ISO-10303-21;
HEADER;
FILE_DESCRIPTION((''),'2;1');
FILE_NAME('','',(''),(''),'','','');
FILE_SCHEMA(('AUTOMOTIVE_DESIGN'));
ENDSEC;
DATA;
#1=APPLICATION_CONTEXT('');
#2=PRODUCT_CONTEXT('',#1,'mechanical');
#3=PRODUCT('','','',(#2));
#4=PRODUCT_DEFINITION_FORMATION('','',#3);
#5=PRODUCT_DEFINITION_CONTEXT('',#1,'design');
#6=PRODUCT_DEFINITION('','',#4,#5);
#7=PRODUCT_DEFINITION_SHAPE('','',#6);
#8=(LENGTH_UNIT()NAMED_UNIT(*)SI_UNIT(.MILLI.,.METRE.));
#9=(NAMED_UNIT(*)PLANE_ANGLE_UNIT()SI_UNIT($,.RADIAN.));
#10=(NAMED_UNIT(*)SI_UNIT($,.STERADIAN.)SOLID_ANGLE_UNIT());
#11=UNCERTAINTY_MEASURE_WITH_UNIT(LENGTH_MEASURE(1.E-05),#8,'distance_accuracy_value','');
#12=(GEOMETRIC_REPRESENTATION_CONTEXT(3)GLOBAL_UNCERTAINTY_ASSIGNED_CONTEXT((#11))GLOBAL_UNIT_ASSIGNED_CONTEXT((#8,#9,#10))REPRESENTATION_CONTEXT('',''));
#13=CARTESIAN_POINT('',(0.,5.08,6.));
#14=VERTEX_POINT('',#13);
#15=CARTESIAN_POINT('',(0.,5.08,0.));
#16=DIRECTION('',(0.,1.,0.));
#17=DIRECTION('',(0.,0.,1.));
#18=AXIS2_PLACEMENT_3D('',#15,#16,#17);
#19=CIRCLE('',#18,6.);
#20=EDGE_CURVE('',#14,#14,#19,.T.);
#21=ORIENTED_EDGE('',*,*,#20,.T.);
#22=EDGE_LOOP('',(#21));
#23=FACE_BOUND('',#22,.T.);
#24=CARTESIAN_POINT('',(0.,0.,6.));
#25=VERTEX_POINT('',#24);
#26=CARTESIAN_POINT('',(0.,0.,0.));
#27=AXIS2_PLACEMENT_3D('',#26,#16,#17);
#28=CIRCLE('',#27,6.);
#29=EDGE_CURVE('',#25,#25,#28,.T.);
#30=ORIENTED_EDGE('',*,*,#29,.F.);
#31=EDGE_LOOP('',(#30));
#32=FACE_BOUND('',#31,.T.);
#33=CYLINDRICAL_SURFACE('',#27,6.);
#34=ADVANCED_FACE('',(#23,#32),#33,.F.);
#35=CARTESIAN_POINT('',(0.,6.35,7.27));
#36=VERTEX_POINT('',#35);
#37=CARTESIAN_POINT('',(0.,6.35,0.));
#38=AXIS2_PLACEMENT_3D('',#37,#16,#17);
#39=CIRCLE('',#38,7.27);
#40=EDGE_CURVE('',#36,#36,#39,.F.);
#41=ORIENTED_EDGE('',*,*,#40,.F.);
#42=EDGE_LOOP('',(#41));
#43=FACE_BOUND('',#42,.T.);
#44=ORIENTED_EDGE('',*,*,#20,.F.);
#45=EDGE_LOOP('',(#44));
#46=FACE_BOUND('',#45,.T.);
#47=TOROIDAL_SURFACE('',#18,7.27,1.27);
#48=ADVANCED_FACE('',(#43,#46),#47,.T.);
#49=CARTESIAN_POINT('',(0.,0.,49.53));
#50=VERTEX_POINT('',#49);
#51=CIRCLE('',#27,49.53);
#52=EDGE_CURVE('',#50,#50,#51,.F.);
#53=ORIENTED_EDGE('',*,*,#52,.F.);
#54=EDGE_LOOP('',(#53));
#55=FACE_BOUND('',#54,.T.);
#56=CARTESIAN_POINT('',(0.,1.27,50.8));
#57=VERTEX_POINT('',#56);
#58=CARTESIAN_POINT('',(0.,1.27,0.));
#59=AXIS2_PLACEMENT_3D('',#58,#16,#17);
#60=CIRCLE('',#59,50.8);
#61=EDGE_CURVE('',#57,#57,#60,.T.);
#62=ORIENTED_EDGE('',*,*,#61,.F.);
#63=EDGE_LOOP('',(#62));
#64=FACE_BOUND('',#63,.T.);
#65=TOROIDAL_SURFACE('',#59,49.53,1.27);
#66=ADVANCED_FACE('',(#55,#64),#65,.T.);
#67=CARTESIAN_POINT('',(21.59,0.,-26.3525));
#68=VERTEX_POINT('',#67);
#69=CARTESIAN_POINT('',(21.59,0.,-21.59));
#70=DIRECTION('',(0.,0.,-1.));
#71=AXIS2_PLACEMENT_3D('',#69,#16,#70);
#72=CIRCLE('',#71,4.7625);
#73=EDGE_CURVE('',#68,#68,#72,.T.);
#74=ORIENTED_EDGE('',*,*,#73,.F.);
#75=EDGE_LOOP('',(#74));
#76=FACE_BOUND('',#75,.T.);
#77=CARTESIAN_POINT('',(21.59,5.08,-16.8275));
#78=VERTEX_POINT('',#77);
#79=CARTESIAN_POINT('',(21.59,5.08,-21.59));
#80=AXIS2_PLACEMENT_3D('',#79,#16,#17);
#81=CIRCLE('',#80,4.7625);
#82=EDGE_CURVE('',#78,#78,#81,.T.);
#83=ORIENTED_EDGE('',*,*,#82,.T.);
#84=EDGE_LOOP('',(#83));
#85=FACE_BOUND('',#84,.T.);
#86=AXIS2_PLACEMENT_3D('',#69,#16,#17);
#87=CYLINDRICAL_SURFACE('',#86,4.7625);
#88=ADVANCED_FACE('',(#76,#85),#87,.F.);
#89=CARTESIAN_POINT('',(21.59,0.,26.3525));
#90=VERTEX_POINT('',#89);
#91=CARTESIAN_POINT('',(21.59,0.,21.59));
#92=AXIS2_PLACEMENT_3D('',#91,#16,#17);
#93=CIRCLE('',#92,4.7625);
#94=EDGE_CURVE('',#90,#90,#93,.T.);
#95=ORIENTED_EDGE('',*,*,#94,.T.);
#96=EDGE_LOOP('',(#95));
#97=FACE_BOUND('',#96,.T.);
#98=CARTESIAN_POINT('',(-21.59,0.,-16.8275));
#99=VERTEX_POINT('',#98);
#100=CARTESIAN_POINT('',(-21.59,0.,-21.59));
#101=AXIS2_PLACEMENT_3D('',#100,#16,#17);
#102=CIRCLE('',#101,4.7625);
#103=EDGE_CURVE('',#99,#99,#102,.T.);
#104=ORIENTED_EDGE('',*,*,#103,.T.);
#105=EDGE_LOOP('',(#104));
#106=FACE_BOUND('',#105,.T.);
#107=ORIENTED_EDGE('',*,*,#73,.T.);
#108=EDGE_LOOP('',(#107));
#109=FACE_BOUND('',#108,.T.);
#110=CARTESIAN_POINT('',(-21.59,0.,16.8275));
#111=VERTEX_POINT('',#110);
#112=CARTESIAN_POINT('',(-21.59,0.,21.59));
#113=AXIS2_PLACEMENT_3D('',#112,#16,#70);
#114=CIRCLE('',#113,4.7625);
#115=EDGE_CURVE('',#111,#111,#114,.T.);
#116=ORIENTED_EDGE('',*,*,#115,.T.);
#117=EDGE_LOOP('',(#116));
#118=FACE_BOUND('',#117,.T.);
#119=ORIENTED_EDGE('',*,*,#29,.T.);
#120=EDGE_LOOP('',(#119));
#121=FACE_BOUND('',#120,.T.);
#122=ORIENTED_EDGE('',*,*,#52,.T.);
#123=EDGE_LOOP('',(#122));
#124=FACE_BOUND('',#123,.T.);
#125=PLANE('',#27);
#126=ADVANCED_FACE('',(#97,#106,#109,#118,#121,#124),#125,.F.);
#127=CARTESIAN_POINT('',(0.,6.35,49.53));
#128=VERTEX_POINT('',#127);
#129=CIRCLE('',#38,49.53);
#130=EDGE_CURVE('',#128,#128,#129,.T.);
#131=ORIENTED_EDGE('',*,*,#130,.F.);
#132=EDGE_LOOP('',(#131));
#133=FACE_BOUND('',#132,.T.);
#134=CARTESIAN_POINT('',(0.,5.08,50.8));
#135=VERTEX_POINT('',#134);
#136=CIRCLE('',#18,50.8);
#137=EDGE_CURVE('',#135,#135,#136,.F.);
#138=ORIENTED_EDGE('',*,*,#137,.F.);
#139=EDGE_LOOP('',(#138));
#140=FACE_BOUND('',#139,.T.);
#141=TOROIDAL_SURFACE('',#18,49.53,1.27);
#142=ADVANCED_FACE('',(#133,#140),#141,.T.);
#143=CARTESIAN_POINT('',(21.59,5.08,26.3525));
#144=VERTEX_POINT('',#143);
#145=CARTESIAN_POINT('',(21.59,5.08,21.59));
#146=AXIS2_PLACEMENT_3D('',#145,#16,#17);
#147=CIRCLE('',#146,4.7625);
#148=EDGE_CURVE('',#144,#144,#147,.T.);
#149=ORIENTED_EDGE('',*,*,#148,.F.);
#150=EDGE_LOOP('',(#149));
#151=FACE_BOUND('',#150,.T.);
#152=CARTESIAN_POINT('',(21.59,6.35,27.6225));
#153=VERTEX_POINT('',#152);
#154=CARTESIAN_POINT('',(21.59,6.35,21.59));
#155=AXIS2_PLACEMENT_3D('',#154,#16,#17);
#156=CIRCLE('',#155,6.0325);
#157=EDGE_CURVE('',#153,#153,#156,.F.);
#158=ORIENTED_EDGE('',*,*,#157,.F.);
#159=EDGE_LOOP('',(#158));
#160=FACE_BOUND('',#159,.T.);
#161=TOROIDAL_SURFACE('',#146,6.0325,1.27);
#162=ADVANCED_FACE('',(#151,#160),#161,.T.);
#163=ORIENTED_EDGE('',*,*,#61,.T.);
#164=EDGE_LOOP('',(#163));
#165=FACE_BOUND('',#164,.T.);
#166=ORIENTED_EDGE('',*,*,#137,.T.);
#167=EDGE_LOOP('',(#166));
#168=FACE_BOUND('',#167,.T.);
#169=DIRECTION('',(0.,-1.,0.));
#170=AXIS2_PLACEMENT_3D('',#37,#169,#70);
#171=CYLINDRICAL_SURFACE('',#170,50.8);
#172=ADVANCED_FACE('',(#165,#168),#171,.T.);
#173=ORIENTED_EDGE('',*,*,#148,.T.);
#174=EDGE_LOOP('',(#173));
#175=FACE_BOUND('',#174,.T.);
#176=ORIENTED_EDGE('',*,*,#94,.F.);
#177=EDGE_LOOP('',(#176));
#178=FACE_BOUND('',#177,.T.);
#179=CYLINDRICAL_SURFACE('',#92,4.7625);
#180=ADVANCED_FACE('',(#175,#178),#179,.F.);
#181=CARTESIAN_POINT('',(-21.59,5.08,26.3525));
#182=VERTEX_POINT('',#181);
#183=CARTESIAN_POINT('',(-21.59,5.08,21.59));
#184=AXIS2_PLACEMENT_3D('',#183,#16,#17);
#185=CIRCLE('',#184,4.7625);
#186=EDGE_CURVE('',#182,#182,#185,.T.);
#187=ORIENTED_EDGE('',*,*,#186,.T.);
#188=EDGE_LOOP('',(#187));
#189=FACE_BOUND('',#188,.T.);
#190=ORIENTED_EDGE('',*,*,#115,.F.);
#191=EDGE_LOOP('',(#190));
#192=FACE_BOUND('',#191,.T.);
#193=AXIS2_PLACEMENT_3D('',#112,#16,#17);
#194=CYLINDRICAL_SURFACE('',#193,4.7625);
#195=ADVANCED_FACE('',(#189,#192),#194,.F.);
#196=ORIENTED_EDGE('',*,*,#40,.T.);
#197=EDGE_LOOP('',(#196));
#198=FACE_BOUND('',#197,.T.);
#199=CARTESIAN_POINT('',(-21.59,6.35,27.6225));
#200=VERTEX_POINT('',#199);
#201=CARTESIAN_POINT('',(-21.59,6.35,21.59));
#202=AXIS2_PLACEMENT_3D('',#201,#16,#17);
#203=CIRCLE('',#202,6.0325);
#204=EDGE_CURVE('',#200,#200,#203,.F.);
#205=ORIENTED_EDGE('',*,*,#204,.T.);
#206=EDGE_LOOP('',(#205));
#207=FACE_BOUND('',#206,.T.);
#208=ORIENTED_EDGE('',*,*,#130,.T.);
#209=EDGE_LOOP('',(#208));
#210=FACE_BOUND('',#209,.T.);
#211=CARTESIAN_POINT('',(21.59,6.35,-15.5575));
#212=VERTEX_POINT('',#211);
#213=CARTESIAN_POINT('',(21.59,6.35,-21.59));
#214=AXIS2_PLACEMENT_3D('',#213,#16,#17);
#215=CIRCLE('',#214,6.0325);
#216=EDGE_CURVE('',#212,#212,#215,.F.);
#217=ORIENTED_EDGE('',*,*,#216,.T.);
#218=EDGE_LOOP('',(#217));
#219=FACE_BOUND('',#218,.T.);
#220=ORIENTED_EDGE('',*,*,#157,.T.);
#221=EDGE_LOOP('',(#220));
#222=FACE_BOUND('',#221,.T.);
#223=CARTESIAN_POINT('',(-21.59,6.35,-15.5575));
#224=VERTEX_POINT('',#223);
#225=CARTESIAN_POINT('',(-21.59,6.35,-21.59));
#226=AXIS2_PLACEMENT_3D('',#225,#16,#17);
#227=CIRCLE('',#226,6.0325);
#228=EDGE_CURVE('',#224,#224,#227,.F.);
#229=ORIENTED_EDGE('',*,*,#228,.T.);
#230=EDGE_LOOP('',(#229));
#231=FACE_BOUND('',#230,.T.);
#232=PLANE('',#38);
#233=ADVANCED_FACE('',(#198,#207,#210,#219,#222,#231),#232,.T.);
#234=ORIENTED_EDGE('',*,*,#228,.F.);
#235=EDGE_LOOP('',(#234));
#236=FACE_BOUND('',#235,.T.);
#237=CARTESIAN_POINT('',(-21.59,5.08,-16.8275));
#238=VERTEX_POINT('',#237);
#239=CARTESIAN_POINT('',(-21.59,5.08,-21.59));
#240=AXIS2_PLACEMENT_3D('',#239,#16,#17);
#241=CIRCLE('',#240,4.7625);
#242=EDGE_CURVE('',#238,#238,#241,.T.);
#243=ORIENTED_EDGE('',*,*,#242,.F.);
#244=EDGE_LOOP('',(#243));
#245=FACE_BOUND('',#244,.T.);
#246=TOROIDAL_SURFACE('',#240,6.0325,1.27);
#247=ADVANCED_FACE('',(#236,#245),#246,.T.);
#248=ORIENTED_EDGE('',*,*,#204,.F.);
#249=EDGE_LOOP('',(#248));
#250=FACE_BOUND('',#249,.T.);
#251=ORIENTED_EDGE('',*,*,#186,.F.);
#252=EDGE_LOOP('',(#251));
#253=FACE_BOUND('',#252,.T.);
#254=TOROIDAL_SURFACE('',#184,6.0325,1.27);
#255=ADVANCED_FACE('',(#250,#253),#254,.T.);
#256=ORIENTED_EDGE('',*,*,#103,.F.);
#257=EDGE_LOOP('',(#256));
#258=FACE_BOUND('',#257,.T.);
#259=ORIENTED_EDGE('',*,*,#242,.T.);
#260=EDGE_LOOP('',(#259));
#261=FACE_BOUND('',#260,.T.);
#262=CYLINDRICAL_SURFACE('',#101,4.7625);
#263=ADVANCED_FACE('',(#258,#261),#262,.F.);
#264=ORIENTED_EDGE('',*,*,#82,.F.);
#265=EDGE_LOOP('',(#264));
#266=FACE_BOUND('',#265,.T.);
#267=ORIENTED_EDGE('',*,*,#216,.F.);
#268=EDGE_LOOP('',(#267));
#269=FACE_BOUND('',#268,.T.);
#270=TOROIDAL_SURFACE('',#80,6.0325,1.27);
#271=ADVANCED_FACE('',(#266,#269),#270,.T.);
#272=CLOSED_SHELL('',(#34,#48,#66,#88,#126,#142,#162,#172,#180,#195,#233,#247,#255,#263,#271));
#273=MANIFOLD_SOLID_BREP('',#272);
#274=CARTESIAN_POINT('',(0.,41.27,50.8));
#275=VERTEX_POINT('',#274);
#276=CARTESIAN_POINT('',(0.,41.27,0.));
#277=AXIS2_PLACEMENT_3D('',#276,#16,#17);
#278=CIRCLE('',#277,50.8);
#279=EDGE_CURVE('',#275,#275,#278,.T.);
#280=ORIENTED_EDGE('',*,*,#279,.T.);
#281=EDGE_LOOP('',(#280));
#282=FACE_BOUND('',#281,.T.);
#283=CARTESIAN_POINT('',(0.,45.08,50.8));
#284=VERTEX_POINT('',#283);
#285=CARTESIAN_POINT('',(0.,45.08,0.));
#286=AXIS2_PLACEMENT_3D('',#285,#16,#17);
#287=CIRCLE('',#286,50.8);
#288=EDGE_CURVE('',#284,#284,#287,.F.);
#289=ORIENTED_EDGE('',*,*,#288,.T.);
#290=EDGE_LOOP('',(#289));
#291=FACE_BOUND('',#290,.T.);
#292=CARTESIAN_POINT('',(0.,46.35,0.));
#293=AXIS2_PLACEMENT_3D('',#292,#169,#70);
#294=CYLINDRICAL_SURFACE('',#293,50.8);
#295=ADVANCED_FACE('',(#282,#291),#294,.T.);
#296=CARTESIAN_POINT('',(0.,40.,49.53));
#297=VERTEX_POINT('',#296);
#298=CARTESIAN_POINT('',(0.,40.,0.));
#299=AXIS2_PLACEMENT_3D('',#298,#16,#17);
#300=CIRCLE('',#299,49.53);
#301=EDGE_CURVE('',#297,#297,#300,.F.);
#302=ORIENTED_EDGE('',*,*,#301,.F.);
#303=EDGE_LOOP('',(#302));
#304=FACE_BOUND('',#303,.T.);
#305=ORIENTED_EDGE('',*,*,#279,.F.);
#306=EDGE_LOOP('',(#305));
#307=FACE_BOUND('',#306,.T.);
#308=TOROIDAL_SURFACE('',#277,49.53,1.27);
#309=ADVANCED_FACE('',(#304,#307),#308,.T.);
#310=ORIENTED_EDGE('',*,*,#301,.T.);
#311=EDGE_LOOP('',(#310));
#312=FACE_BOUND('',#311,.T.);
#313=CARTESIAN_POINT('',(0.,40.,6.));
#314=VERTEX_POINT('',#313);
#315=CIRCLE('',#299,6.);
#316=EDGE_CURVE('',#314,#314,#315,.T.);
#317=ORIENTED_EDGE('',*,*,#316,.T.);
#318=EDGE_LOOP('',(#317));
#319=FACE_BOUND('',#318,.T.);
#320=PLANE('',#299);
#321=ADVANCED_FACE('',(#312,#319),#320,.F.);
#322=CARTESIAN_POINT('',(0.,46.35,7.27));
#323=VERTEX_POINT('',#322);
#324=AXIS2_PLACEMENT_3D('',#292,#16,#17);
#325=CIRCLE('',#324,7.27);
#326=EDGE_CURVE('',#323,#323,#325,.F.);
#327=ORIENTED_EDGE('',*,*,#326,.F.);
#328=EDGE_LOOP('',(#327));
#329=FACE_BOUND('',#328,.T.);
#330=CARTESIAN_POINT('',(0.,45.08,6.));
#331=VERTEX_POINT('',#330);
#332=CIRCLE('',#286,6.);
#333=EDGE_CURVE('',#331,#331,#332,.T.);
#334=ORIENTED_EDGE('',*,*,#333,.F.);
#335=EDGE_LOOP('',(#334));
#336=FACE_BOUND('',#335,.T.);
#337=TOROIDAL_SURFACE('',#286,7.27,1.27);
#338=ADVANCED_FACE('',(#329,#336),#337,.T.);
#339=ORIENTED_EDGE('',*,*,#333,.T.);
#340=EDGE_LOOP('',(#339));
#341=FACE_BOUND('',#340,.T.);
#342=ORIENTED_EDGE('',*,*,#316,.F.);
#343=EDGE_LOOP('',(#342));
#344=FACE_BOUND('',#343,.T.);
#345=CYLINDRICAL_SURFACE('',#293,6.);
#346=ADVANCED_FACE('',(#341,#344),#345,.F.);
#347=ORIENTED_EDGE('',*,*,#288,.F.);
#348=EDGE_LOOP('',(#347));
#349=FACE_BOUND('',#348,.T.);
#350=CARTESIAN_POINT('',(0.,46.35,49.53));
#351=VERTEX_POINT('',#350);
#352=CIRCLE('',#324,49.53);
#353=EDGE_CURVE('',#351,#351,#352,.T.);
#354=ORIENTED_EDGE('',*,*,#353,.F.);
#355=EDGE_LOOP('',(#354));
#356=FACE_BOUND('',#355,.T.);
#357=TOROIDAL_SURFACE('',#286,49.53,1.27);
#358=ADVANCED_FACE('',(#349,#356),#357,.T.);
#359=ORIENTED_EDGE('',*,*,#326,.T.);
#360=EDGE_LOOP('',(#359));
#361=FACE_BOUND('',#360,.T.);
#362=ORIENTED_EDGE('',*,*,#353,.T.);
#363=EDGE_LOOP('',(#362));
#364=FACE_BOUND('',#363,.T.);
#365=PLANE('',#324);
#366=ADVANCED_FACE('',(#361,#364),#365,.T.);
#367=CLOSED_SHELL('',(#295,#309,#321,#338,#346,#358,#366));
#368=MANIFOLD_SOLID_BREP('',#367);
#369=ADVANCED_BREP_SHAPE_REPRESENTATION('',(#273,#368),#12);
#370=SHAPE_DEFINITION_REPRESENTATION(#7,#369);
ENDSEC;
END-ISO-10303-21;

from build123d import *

# Parameters (mm, degrees)
SKETCH1_R           = 50.8
BOSS_EXTRUDE1_DEPTH = 6.35
SKETCH2_R           = 4.7625
SKETCH2_R_2         = 6
CUT_EXTRUDE1_DEPTH  = 6.35
FILLET1_R           = 1.27
SKETCH4_R           = 50.8
BOSS_EXTRUDE2_DEPTH = 6.35
CUT_EXTRUDE3_START  = 6.35
SKETCH5_R           = 6
CUT_EXTRUDE3_DEPTH  = 6.35
FILLET4_R           = 1.27
FILLET5_R           = 1.27
FILLET6_R           = 1.27
FILLET7_R           = 1.27
FILLET8_R           = 1.27
FILLET9_R           = 1.27


with BuildPart() as part:
    # Sketch1 → Boss-Extrude1 (new body)
    with BuildSketch(Plane(origin=(0, 0, 0), x_dir=(1, 0, 0), z_dir=(0, 1, 0))):
        with Locations(Location((0, 0, 0), (0, 0, 270))):
            Circle(SKETCH1_R)
    extrude(amount=BOSS_EXTRUDE1_DEPTH)

    # Sketch2 → Cut-Extrude1 (cut)
    with BuildSketch(Plane(origin=(0, 6.35, 0), x_dir=(1, 0, 0), z_dir=(0, 1, 0))):
        with Locations(Location((-21.59, 21.59, 0), (0, 0, 270))):
            Circle(SKETCH2_R)
        with Locations(Location((-21.59, -21.59, 0), (0, 0, 90))):
            Circle(SKETCH2_R)
        with Locations(Location((21.59, -21.59, 0), (0, 0, 270))):
            Circle(SKETCH2_R)
        with Locations(Location((21.59, 21.59, 0), (0, 0, 90))):
            Circle(SKETCH2_R)
        with Locations(Location((0, 0, 0), (0, 0, 270))):
            Circle(SKETCH2_R_2)
    extrude(amount=-CUT_EXTRUDE1_DEPTH, mode=Mode.SUBTRACT)

    # Fillet1
    fillet1_edges = [part.edges().sort_by_distance(p)[0] for p in [
        (21.59, 6.35, -16.8275),
        (21.59, 6.35, 16.8275),
        (-21.59, 6.35, 26.3525),
        (-21.59, 6.35, -26.3525),
    ]]
    fillet(fillet1_edges, radius=FILLET1_R)

    # Fillet7
    fillet7_edges = [part.edges().sort_by_distance(p)[0] for p in [
        (0, 6.35, -50.8),
    ]]
    fillet(fillet7_edges, radius=FILLET7_R)

    # Fillet8
    fillet8_edges = [part.edges().sort_by_distance(p)[0] for p in [
        (0, 0, -50.8),
    ]]
    fillet(fillet8_edges, radius=FILLET8_R)

    # Fillet9
    fillet9_edges = [part.edges().sort_by_distance(p)[0] for p in [
        (0, 6.35, -6),
    ]]
    fillet(fillet9_edges, radius=FILLET9_R)


with BuildPart() as body_2:
    # Sketch4 → Boss-Extrude2 (new body)
    with BuildSketch(Plane(origin=(0, 40.00000001, 0), x_dir=(1, 0, 0), z_dir=(0, 1, 0))):
        with Locations(Location((0, 0, 0), (0, 0, 270))):
            Circle(SKETCH4_R)
    extrude(amount=BOSS_EXTRUDE2_DEPTH)

    # Sketch5 → Cut-Extrude3 (cut)
    with BuildSketch(Plane(origin=(0, 40.00000001, 0), x_dir=(1, 0, 0), z_dir=(0, 1, 0)).offset(CUT_EXTRUDE3_START)):
        with Locations(Location((0, 0, 0), (0, 0, 270))):
            Circle(SKETCH5_R)
    extrude(amount=-CUT_EXTRUDE3_DEPTH, mode=Mode.SUBTRACT)

    # Fillet4
    fillet4_edges = [body_2.edges().sort_by_distance(p)[0] for p in [
        (0, 46.35000001, -6),
    ]]
    fillet(fillet4_edges, radius=FILLET4_R)

    # Fillet5
    fillet5_edges = [body_2.edges().sort_by_distance(p)[0] for p in [
        (0, 46.35000001, -50.8),
    ]]
    fillet(fillet5_edges, radius=FILLET5_R)

    # Fillet6
    fillet6_edges = [body_2.edges().sort_by_distance(p)[0] for p in [
        (0, 40.00000001, -50.8),
    ]]
    fillet(fillet6_edges, radius=FILLET6_R)


solid = Compound([part.part, body_2.part])
